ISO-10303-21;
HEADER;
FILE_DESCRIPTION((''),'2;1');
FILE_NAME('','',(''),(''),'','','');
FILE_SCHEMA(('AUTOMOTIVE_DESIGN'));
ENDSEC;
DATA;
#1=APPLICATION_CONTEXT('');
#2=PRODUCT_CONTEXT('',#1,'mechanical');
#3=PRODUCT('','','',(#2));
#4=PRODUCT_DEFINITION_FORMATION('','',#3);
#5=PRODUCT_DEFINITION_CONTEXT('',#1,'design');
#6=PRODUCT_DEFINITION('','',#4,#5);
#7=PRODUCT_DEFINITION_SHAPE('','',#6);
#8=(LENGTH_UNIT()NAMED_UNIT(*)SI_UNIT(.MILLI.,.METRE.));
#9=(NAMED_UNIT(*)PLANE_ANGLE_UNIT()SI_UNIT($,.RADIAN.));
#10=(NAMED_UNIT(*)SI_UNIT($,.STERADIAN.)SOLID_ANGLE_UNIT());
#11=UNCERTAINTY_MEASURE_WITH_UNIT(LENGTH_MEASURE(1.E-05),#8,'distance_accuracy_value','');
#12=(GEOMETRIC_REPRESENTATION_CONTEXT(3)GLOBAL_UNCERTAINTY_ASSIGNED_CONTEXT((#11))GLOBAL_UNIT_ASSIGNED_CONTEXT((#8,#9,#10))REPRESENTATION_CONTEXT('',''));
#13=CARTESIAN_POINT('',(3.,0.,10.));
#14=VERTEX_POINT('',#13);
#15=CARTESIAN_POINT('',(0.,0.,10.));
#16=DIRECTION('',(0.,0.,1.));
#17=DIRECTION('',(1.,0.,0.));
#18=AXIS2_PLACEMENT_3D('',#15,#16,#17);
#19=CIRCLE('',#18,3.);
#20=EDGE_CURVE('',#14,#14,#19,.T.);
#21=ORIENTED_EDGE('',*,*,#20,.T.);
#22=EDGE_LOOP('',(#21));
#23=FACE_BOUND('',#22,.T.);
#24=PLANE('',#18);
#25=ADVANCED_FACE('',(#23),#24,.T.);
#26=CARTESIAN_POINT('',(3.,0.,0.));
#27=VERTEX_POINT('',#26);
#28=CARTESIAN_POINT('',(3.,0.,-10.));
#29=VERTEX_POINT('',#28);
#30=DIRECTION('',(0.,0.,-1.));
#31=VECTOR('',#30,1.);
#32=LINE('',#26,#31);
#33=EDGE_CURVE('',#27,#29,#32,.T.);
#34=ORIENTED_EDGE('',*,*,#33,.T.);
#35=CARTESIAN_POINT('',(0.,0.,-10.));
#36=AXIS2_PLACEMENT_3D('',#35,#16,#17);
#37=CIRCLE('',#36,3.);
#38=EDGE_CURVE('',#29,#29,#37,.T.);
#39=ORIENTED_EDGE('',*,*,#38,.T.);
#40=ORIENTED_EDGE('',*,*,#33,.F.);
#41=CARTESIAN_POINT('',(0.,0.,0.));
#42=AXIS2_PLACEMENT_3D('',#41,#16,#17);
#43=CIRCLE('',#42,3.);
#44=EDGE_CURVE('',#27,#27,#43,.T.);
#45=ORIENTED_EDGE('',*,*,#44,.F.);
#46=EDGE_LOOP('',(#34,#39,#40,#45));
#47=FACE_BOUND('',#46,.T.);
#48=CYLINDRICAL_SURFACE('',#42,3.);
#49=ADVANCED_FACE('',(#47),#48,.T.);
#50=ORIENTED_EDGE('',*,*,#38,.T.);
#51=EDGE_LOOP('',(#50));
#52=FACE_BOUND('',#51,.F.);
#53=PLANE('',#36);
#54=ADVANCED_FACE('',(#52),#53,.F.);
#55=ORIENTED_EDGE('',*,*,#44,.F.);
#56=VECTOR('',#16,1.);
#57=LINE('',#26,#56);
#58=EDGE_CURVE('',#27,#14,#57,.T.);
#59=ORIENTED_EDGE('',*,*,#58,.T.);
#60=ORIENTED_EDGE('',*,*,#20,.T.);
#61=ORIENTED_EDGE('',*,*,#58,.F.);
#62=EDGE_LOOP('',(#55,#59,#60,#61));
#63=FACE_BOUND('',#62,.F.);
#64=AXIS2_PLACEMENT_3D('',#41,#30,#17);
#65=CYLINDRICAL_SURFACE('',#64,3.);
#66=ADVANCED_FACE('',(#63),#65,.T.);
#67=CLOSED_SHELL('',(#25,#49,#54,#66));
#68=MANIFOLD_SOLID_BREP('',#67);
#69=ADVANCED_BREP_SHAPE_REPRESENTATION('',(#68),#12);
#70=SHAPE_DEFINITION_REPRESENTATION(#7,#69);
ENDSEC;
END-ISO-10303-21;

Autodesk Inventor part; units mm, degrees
ref_plane "YZ Plane" through (0, 0, 0) normal (1, 0, 0) x (0, 1, 0)
ref_plane "XZ Plane" through (0, 0, 0) normal (0, 1, 0) x (-1, 0, 0)
ref_plane "XY Plane" through (0, 0, 0) normal (0, 0, 1) x (1, 0, 0)
sketch "Sketch1" plane through (0, 0, 0) normal (0, 0, 1) x (1, 0, 0)
  circle A0 centre (0, 0) radius 3
  dimension "d0" = 6
extrude "Extrusion1" add sketch "Sketch1" along normal mid plane 20
properties part number "Shaft"
